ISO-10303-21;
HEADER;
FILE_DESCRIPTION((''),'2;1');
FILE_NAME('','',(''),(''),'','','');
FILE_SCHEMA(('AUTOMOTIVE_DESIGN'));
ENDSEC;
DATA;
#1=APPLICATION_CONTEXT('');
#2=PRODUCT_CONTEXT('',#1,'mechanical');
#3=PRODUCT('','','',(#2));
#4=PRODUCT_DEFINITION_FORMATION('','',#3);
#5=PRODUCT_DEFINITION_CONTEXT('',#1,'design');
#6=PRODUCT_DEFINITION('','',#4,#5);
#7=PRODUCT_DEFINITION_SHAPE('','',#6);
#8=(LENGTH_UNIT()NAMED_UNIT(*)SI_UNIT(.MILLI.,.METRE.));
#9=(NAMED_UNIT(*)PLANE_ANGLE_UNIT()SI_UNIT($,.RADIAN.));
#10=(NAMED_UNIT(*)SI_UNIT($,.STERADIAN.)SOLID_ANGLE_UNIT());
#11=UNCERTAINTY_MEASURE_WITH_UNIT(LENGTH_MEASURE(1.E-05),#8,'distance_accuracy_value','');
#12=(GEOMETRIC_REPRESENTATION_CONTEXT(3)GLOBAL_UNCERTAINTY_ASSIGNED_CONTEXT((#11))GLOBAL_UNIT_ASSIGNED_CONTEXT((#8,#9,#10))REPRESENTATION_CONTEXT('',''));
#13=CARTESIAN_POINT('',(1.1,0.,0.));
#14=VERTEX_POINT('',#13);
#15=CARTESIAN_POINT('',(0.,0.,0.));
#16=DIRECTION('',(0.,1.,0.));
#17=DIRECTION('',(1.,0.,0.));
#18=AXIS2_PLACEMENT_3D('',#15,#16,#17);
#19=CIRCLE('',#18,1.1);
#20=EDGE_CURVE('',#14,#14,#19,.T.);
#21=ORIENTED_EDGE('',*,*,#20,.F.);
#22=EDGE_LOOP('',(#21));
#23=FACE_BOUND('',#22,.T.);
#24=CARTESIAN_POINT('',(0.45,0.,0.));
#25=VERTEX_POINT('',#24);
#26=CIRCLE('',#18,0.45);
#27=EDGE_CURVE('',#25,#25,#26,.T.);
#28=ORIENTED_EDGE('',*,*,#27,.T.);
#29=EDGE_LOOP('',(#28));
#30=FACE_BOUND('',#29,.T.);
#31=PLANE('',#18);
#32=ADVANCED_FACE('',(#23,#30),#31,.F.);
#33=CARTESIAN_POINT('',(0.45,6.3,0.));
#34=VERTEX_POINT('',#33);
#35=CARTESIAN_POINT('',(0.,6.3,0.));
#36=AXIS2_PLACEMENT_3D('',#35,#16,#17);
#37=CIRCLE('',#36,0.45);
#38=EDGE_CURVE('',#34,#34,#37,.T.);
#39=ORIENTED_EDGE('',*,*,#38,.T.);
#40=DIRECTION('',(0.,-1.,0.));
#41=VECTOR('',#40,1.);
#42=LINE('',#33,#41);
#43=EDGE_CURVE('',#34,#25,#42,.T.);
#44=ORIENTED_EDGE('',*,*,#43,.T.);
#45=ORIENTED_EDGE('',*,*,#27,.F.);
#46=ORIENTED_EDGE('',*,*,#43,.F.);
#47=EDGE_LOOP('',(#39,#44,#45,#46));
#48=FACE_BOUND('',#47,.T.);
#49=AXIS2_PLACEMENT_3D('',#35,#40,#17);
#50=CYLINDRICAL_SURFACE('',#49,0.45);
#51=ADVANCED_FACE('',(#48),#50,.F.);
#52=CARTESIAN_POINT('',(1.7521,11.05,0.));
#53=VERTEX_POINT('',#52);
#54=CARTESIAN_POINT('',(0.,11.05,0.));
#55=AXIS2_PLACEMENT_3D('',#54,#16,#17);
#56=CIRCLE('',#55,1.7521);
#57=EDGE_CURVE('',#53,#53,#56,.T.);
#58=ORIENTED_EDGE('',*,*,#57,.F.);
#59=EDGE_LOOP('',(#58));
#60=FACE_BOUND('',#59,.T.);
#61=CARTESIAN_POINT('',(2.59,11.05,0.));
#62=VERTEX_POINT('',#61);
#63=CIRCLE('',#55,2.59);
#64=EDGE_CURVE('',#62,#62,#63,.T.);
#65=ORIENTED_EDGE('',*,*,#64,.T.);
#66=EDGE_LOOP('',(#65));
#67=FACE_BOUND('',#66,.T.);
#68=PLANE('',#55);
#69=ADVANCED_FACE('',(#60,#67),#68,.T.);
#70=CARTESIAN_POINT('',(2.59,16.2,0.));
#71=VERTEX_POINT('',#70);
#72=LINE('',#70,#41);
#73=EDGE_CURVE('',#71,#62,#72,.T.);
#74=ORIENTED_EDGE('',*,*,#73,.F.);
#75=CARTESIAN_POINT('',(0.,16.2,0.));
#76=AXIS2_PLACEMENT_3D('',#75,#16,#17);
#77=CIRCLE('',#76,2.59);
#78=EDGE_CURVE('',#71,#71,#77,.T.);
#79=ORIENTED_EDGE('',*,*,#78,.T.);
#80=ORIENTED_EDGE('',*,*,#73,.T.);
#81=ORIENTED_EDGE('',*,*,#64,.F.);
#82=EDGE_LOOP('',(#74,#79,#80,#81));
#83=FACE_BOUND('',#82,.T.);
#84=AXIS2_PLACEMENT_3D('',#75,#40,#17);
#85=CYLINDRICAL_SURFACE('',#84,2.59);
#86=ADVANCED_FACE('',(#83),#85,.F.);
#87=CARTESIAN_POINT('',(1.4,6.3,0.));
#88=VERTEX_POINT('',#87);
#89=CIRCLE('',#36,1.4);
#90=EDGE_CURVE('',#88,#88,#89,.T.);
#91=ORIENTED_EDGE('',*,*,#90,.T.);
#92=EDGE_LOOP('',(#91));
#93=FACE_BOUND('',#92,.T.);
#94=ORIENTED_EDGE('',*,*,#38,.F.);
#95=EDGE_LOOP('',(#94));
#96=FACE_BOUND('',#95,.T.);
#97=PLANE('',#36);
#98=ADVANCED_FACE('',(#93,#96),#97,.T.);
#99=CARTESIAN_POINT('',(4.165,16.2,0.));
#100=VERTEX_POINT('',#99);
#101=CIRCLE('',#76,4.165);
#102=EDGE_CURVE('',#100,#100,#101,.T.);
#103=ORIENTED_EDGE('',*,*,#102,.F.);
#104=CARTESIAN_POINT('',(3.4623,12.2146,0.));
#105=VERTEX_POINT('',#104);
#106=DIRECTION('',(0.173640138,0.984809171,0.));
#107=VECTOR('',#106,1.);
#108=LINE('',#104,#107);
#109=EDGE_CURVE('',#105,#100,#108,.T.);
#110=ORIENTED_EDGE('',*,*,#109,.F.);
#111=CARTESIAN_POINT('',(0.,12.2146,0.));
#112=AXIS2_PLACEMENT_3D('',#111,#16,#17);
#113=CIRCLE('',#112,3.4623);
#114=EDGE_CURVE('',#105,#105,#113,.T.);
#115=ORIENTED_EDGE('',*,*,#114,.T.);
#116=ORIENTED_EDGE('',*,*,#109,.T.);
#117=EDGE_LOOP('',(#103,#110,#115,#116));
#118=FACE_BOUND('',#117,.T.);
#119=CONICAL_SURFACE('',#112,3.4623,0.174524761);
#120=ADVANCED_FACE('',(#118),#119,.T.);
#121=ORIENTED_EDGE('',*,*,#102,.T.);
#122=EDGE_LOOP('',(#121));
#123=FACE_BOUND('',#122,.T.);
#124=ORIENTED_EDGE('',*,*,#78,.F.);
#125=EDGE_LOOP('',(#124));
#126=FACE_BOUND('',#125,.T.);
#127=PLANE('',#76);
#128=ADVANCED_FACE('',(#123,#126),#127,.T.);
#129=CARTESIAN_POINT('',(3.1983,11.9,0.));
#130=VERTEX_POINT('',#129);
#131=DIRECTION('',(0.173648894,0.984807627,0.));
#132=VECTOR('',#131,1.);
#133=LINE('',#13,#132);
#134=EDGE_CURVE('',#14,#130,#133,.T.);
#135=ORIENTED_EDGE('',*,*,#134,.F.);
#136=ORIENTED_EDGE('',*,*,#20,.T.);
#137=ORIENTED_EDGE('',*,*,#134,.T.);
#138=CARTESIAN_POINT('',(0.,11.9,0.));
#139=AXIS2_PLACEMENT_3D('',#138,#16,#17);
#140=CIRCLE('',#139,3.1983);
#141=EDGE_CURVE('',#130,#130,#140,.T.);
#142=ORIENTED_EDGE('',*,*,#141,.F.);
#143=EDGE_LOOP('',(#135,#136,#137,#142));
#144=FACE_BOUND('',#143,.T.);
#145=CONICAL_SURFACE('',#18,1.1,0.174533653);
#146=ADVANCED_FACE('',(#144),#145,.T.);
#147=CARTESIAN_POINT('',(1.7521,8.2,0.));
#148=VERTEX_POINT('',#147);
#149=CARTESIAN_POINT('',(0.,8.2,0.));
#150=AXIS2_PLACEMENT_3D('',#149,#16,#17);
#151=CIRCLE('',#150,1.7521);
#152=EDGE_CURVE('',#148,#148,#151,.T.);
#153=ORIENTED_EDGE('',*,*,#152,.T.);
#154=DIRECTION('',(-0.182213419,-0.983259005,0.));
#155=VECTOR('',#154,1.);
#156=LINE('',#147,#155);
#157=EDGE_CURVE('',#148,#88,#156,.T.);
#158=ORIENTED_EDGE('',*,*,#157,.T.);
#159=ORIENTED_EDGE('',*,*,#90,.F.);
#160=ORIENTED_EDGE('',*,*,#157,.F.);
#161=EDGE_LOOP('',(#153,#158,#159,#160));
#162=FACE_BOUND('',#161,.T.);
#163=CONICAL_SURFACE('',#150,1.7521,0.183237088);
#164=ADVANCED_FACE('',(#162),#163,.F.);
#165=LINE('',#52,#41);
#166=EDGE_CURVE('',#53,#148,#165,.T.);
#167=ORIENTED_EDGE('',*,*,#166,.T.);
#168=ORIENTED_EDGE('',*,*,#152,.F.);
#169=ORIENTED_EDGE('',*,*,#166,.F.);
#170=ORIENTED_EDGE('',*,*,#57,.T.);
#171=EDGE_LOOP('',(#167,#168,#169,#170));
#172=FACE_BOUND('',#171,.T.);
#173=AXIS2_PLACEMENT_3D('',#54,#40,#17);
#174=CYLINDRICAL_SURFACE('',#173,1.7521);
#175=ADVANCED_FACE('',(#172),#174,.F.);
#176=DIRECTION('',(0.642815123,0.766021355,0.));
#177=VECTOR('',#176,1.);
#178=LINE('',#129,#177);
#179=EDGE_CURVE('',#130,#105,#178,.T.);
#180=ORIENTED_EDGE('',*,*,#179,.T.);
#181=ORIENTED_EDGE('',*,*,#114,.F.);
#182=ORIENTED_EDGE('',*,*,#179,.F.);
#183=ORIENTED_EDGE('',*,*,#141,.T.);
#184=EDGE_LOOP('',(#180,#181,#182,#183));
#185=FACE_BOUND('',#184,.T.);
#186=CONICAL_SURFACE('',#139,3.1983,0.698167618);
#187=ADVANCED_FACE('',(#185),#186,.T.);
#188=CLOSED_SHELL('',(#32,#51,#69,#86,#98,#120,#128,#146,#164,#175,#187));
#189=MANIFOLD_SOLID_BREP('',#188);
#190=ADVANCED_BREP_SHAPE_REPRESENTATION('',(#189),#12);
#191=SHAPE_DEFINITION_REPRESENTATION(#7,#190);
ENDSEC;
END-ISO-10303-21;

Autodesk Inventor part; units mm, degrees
ref_plane "YZ Plane" through (0, 0, 0) normal (1, 0, 0) x (0, 1, 0)
ref_plane "XZ Plane" through (0, 0, 0) normal (0, 1, 0) x (-1, 0, 0)
ref_plane "XY Plane" through (0, 0, 0) normal (0, 0, 1) x (1, 0, 0)
sketch "Sketch1" plane through (0, 0, 0) normal (0, 0, 1) x (1, 0, 0)
  line L0 (0, 0) -> (0, 16.2)
  line L1 (0.45, 0) -> (1.1, 0)
  line L2 (1.1, 0) -> (3.1983, 11.9)
  line L3 (3.1983, 11.9) -> (3.4623, 12.2146)
  line L4 (3.4623, 12.2146) -> (4.165, 16.2)
  line L5 (4.165, 16.2) -> (2.59, 16.2)
  line L6 (2.59, 16.2) -> (2.59, 11.05)
  line L7 (2.59, 11.05) -> (1.7521, 11.05)
  line L8 (1.7521, 11.05) -> (1.7521, 8.2)
  line L9 (1.7521, 8.2) -> (1.4, 6.3)
  line L10 (1.4, 6.3) -> (0.45, 6.3)
  line L11 (0.45, 6.3) -> (0.45, 0)
  dimension "d0" = 30
  dimension "d1" = 100.5
  dimension "d2" = 0.9
  dimension "d3" = 2.2
  dimension "d4" = 6.3
  dimension "d5" = 16.2
  dimension "d6" = 8.2
  dimension "d7" = 11.05
  dimension "d8" = 2.8
  dimension "d9" = 5.18
  dimension "d10" = 11.9
  dimension "d11" = 8.33
  dimension "d12" = 80
revolve "Revolution1" add sketch "Sketch1" angle 360 about axis through (0, 0, 0) along (0, 1, 0)
properties part number "PP-02" material "Steel, Mild"
